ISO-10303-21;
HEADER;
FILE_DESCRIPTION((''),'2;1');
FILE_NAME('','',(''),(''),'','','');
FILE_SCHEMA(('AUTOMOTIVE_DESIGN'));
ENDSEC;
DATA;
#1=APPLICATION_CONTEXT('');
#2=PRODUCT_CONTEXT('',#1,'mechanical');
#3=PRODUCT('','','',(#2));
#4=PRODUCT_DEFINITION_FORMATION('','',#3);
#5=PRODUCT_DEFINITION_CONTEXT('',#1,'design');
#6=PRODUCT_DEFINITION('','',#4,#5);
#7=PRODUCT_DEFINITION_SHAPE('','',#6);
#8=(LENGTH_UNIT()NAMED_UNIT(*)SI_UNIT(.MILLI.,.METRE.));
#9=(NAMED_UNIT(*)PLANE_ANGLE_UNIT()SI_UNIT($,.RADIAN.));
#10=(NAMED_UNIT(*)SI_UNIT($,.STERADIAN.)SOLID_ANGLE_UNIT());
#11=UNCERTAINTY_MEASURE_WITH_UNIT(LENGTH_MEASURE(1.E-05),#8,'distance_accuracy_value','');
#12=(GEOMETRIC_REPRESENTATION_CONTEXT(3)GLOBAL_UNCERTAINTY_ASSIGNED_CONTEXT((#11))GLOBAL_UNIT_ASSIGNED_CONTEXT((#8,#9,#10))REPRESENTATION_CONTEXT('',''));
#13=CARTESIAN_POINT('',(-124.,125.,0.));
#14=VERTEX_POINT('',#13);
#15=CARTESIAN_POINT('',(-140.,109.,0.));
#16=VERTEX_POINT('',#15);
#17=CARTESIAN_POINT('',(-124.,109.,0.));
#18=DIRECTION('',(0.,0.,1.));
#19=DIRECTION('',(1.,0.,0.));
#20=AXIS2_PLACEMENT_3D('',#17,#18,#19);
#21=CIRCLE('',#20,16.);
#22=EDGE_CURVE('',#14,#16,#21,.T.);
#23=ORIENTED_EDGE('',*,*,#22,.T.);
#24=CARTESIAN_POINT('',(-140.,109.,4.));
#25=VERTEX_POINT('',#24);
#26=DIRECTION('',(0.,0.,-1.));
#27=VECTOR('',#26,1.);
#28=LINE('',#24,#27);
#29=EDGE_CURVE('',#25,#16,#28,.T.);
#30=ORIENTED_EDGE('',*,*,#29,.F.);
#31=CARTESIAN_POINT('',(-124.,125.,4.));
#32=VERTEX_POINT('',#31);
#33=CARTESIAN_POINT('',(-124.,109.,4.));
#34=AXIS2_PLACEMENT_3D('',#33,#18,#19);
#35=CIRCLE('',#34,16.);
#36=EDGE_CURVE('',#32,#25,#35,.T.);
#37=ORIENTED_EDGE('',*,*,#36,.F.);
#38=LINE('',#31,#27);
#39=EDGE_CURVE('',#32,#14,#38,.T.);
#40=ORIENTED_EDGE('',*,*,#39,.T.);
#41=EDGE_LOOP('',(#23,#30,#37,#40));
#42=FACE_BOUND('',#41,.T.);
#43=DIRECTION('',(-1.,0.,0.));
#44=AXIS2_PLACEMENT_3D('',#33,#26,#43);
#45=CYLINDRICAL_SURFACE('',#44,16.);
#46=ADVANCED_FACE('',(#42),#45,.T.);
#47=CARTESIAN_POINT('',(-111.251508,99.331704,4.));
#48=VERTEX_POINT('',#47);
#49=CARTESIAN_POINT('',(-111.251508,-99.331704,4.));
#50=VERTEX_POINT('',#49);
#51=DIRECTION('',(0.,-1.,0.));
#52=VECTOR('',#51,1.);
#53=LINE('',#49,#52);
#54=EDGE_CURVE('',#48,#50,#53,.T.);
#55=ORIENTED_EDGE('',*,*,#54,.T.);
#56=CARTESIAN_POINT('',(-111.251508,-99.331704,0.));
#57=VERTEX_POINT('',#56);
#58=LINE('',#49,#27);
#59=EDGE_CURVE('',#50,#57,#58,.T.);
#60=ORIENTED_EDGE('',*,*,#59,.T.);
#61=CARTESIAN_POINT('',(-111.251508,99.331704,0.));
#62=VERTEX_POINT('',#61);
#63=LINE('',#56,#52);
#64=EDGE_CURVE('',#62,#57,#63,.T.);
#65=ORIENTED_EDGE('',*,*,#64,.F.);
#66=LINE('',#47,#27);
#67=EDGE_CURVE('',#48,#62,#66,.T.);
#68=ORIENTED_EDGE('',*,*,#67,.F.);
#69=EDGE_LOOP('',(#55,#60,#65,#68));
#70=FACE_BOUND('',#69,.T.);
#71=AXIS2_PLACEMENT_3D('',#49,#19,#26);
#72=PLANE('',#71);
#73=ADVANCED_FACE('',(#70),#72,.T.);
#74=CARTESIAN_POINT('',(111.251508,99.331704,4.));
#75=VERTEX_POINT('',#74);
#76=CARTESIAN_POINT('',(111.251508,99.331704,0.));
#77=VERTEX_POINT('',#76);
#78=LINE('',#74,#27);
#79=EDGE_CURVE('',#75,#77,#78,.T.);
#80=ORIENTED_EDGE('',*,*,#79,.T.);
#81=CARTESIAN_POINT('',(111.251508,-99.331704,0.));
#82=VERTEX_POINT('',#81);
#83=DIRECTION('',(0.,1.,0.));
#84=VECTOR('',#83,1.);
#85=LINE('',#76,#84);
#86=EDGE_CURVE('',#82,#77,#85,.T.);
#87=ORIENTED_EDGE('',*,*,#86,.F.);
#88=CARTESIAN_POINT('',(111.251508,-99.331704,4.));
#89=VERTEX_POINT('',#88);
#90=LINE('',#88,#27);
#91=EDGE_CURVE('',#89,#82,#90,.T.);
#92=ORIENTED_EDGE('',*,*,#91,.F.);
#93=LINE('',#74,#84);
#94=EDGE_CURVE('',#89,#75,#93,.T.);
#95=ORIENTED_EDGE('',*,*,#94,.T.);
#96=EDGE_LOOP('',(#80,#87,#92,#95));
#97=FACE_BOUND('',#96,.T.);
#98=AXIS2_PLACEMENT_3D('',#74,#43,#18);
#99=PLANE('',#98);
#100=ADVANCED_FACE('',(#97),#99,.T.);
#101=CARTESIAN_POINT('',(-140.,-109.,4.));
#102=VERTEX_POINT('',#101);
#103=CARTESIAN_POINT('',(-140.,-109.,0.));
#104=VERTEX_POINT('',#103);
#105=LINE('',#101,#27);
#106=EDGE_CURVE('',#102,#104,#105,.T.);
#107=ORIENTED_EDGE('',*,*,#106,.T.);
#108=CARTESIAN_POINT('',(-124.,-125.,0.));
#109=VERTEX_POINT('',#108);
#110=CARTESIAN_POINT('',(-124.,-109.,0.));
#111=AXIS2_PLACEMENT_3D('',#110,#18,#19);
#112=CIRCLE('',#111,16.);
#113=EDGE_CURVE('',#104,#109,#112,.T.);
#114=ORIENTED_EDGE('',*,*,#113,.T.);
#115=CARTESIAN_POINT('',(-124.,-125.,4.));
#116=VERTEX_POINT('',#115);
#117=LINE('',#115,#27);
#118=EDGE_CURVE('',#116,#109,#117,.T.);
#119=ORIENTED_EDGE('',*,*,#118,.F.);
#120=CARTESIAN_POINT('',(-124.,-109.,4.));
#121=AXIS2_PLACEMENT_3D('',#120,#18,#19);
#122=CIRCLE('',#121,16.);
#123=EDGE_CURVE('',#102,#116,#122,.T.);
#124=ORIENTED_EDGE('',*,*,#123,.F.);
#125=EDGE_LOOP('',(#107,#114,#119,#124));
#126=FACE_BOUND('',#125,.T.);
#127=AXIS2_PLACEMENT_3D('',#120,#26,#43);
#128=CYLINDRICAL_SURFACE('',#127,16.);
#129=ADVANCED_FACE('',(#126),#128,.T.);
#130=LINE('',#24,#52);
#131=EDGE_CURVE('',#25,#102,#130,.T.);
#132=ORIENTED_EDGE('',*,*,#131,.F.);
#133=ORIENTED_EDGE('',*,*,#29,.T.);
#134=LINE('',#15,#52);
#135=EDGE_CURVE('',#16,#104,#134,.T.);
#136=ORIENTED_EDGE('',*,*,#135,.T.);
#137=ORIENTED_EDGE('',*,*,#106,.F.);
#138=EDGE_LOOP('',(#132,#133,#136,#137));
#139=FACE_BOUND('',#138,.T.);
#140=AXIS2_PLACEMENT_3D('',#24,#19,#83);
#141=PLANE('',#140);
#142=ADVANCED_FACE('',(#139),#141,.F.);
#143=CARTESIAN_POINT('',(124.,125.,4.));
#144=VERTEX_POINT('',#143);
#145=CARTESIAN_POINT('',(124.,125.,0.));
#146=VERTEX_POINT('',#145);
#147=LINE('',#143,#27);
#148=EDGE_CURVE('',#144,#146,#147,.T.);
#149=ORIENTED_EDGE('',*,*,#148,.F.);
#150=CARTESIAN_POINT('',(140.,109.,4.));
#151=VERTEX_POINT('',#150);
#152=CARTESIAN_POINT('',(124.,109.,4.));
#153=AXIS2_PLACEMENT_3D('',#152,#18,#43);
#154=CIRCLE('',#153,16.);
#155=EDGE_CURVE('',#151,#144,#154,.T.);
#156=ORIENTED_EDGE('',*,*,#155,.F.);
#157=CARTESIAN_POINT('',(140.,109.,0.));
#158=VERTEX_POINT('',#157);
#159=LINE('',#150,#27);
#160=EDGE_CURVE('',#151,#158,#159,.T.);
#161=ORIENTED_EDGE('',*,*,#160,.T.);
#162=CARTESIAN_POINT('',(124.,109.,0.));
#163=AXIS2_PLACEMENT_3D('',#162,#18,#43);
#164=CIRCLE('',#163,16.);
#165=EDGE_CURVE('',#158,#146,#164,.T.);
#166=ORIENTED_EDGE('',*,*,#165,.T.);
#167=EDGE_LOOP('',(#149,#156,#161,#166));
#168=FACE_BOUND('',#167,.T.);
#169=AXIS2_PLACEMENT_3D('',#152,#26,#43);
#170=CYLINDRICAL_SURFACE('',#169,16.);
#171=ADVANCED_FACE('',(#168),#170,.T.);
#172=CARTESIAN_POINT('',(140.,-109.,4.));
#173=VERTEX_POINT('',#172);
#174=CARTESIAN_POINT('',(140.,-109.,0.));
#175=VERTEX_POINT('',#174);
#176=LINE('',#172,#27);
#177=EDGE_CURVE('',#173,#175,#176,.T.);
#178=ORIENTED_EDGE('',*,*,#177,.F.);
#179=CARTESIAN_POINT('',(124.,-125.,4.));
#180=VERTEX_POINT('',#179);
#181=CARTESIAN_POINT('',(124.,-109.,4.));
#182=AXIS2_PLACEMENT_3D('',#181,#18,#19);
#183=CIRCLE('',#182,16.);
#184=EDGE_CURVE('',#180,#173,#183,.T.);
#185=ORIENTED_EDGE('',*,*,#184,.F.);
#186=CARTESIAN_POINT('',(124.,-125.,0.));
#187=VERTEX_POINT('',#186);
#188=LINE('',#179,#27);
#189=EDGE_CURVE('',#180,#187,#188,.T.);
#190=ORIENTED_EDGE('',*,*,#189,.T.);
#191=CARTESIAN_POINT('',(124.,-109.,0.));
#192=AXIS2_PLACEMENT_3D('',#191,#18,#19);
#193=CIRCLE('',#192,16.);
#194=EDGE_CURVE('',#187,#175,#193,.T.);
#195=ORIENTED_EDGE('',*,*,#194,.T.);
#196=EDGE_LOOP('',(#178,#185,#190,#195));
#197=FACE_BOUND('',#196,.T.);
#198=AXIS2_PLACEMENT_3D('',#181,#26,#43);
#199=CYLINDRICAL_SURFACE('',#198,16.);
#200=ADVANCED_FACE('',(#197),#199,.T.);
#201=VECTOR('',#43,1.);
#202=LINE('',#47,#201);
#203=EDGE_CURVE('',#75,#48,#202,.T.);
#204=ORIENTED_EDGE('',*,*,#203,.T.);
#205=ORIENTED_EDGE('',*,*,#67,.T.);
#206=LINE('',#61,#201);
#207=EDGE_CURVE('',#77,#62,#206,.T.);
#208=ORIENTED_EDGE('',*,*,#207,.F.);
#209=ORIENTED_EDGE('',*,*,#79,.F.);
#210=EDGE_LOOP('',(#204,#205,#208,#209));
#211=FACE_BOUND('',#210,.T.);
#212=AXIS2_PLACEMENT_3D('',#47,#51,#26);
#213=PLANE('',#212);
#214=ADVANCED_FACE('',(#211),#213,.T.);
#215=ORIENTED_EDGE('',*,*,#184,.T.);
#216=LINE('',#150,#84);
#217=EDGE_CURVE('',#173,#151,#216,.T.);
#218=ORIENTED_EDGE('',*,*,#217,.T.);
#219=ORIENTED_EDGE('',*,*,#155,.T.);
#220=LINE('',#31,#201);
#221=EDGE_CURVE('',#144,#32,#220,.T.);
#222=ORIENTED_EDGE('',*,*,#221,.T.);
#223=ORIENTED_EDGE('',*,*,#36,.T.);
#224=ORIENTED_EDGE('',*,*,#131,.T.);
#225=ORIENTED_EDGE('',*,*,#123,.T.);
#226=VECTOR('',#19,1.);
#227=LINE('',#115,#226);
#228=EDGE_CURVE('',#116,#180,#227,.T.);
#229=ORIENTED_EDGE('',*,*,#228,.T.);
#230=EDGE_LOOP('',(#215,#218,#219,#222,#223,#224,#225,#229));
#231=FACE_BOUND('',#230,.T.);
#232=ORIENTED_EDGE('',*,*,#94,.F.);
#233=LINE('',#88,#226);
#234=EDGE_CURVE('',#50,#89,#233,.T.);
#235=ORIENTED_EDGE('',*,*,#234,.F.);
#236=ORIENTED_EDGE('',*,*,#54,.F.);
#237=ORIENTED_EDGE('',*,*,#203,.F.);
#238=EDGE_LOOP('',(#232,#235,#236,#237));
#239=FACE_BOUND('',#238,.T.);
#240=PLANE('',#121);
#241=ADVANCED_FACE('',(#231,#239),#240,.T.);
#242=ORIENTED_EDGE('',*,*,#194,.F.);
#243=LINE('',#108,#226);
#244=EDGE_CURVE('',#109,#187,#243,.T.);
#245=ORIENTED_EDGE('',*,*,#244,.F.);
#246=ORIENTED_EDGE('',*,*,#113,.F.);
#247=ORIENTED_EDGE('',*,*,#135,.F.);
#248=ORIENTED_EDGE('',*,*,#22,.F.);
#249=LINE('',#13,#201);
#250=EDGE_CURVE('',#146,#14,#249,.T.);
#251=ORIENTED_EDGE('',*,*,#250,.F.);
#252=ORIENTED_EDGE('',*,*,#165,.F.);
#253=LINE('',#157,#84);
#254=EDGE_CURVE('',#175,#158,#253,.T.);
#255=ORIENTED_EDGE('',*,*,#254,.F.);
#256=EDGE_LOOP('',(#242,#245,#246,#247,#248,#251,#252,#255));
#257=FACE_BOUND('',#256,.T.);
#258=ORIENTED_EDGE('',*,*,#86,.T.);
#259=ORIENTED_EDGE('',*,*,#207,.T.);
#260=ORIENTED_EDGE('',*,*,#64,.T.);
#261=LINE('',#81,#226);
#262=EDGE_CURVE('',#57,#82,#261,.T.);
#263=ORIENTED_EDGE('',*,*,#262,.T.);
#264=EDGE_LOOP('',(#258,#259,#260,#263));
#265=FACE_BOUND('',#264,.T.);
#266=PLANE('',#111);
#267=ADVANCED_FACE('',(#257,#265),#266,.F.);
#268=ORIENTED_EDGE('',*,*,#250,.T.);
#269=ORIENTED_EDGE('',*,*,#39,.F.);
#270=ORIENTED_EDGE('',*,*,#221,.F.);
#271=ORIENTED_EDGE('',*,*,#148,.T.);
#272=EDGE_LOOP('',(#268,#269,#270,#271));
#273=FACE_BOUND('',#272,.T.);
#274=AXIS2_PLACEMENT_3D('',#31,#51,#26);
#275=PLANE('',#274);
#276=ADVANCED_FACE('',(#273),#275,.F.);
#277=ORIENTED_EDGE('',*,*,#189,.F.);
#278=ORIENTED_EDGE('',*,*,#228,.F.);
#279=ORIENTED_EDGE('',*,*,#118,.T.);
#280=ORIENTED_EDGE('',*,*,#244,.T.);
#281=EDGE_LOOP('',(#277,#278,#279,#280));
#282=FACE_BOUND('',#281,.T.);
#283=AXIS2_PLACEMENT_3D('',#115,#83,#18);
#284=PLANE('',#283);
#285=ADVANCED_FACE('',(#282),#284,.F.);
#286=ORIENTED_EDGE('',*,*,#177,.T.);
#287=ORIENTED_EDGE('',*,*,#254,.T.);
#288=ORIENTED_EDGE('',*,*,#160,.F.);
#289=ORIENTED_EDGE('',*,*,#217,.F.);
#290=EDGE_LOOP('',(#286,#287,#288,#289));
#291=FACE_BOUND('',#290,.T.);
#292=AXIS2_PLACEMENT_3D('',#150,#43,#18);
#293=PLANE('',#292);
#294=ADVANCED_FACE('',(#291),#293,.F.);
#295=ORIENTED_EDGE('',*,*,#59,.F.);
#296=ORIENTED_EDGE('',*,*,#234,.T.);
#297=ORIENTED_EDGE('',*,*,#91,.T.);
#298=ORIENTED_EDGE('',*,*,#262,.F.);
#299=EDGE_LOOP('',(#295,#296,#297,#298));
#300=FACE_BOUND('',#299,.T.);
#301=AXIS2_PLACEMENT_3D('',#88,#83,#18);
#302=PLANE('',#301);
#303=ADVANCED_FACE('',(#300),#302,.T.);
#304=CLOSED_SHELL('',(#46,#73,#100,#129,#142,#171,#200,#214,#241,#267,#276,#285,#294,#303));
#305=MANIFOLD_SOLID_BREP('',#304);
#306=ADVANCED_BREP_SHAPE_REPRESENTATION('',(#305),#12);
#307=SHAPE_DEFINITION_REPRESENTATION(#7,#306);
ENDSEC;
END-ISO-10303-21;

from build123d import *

# Parameters (mm, degrees)
SKETCH1_W           = 222.503016192
SKETCH1_H           = 198.663407314
BOSS_EXTRUDE1_DEPTH = 4


with BuildPart() as part:
    # Sketch1 → Boss-Extrude1 (new body)
    with BuildSketch(Plane.XY):
        with BuildLine():
            Line((-124, 125), (124, 125))
            ThreePointArc((124, 125), (135.313708499, 120.313708499), (140, 109))
            Line((140, 109), (140, -109))
            ThreePointArc((140, -109), (135.313708499, -120.313708499), (124, -125))
            Line((124, -125), (-124, -125))
            ThreePointArc((-124, -125), (-135.313708499, -120.313708499), (-140, -109))
            Line((-140, -109), (-140, 109))
            ThreePointArc((-140, 109), (-135.313708499, 120.313708499), (-124, 125))
        make_face()
        Rectangle(SKETCH1_W, SKETCH1_H, mode=Mode.SUBTRACT)
    extrude(amount=BOSS_EXTRUDE1_DEPTH)


solid = part.part
